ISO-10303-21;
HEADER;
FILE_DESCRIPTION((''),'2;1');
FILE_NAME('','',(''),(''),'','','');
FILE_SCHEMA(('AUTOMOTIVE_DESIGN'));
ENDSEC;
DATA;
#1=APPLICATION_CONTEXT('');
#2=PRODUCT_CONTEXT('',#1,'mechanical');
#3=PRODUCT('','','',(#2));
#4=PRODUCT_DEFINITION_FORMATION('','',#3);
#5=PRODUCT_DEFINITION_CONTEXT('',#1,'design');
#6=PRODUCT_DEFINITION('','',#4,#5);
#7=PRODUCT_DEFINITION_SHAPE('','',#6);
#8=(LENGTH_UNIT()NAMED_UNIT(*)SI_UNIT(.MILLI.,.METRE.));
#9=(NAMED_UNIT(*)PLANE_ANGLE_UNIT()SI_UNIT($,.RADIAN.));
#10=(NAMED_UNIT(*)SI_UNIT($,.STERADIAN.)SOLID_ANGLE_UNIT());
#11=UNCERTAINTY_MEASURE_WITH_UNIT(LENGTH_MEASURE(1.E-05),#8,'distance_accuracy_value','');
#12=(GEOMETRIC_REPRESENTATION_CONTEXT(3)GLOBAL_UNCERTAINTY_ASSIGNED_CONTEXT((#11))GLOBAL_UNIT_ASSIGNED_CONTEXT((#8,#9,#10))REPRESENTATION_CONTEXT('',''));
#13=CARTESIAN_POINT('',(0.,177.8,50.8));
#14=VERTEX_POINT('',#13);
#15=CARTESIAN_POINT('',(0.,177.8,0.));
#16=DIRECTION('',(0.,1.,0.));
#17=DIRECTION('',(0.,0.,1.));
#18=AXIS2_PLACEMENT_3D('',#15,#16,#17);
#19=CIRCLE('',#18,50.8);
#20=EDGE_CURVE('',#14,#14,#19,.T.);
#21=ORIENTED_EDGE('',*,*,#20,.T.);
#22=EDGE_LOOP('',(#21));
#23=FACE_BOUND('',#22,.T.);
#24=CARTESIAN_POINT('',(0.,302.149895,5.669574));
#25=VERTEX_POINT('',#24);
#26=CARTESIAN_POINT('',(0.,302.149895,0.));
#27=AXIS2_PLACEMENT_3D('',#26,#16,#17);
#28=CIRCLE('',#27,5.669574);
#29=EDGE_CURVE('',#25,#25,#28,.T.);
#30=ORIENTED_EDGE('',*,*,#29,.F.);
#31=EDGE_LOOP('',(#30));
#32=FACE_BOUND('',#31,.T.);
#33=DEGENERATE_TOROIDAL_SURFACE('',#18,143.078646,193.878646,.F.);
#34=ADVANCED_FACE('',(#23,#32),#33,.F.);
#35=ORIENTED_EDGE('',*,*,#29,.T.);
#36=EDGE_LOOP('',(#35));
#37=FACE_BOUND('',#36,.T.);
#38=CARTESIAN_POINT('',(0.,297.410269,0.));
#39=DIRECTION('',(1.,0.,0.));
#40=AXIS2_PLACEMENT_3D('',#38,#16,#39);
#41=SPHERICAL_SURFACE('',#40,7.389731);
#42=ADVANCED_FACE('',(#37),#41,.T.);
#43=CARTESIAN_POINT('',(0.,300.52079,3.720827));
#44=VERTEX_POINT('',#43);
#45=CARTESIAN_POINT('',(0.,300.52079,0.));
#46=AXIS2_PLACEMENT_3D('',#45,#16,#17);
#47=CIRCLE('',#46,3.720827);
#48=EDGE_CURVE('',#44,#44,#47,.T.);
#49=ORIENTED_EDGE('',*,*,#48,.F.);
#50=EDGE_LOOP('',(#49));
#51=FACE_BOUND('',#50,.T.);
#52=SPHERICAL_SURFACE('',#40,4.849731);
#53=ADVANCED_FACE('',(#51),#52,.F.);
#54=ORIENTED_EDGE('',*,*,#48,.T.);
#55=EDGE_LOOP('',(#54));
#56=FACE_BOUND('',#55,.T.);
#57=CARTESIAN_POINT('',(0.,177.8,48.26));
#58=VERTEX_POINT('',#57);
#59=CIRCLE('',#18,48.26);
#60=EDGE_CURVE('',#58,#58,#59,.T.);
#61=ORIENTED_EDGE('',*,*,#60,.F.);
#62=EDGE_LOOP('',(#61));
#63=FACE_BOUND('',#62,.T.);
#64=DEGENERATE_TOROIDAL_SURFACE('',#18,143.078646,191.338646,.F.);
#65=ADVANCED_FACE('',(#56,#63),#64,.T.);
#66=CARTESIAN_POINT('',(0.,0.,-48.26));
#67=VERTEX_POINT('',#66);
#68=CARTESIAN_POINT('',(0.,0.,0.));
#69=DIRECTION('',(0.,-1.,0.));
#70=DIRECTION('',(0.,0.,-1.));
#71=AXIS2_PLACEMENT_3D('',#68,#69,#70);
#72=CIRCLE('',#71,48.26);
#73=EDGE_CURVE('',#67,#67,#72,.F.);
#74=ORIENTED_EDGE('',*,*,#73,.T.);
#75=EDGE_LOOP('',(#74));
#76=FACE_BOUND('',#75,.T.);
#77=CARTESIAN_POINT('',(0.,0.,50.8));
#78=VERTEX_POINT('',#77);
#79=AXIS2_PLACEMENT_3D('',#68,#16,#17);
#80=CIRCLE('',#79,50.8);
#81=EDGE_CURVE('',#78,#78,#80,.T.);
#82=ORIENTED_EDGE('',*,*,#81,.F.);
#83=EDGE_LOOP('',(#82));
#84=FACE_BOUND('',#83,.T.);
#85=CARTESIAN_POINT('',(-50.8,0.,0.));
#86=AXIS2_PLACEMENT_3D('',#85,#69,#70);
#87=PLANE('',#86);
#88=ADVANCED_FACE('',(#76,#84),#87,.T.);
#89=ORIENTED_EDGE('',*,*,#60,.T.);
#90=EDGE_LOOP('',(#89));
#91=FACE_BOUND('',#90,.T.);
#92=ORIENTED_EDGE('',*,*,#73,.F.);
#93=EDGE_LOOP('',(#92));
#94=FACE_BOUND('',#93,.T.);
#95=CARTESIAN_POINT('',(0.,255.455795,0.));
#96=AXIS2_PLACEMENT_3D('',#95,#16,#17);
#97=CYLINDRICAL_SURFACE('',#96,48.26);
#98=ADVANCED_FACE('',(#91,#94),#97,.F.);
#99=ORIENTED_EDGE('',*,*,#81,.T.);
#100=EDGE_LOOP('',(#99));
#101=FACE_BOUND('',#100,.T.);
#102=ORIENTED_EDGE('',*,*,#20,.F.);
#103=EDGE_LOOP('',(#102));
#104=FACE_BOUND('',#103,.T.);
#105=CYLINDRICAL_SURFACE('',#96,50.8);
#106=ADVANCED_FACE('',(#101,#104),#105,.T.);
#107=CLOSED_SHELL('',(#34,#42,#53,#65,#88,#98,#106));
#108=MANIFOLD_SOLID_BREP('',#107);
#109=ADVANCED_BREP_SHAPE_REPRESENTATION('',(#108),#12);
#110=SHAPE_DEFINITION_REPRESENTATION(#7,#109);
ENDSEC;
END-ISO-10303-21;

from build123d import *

# Parameters (mm, degrees)
SHELL1_T = -2.54


with BuildPart() as part:
    # Sketch1 → Revolve1 (revolve)
    with BuildSketch(Plane.XY, mode=Mode.PRIVATE) as revolve1_sk:
        with BuildLine():
            Line((-50.8, 0), (-50.8, 177.8))
            ThreePointArc((-50.8, 177.8), (-39.168484212, 243.943124469), (-5.669574396, 302.149894824))
            ThreePointArc((-5.669574396, 302.149894824), (-3.129182452, 304.104769885), (0, 304.8))
            Line((0, 304.8), (0, 0))
            Line((0, 0), (-50.8, 0))
        make_face()
    revolve(revolve1_sk.sketch.rotate(Axis((0, 255.455794576, 0), (0, -1, 0)), 270), axis=Axis((0, 255.455794576, 0), (0, -1, 0)))

    # Shell1
    shell1_openings = [part.faces().sort_by_distance(p)[0] for p in [
        (0, 0, 0),
    ]]
    offset(amount=SHELL1_T, openings=shell1_openings, kind=Kind.INTERSECTION)


solid = part.part
